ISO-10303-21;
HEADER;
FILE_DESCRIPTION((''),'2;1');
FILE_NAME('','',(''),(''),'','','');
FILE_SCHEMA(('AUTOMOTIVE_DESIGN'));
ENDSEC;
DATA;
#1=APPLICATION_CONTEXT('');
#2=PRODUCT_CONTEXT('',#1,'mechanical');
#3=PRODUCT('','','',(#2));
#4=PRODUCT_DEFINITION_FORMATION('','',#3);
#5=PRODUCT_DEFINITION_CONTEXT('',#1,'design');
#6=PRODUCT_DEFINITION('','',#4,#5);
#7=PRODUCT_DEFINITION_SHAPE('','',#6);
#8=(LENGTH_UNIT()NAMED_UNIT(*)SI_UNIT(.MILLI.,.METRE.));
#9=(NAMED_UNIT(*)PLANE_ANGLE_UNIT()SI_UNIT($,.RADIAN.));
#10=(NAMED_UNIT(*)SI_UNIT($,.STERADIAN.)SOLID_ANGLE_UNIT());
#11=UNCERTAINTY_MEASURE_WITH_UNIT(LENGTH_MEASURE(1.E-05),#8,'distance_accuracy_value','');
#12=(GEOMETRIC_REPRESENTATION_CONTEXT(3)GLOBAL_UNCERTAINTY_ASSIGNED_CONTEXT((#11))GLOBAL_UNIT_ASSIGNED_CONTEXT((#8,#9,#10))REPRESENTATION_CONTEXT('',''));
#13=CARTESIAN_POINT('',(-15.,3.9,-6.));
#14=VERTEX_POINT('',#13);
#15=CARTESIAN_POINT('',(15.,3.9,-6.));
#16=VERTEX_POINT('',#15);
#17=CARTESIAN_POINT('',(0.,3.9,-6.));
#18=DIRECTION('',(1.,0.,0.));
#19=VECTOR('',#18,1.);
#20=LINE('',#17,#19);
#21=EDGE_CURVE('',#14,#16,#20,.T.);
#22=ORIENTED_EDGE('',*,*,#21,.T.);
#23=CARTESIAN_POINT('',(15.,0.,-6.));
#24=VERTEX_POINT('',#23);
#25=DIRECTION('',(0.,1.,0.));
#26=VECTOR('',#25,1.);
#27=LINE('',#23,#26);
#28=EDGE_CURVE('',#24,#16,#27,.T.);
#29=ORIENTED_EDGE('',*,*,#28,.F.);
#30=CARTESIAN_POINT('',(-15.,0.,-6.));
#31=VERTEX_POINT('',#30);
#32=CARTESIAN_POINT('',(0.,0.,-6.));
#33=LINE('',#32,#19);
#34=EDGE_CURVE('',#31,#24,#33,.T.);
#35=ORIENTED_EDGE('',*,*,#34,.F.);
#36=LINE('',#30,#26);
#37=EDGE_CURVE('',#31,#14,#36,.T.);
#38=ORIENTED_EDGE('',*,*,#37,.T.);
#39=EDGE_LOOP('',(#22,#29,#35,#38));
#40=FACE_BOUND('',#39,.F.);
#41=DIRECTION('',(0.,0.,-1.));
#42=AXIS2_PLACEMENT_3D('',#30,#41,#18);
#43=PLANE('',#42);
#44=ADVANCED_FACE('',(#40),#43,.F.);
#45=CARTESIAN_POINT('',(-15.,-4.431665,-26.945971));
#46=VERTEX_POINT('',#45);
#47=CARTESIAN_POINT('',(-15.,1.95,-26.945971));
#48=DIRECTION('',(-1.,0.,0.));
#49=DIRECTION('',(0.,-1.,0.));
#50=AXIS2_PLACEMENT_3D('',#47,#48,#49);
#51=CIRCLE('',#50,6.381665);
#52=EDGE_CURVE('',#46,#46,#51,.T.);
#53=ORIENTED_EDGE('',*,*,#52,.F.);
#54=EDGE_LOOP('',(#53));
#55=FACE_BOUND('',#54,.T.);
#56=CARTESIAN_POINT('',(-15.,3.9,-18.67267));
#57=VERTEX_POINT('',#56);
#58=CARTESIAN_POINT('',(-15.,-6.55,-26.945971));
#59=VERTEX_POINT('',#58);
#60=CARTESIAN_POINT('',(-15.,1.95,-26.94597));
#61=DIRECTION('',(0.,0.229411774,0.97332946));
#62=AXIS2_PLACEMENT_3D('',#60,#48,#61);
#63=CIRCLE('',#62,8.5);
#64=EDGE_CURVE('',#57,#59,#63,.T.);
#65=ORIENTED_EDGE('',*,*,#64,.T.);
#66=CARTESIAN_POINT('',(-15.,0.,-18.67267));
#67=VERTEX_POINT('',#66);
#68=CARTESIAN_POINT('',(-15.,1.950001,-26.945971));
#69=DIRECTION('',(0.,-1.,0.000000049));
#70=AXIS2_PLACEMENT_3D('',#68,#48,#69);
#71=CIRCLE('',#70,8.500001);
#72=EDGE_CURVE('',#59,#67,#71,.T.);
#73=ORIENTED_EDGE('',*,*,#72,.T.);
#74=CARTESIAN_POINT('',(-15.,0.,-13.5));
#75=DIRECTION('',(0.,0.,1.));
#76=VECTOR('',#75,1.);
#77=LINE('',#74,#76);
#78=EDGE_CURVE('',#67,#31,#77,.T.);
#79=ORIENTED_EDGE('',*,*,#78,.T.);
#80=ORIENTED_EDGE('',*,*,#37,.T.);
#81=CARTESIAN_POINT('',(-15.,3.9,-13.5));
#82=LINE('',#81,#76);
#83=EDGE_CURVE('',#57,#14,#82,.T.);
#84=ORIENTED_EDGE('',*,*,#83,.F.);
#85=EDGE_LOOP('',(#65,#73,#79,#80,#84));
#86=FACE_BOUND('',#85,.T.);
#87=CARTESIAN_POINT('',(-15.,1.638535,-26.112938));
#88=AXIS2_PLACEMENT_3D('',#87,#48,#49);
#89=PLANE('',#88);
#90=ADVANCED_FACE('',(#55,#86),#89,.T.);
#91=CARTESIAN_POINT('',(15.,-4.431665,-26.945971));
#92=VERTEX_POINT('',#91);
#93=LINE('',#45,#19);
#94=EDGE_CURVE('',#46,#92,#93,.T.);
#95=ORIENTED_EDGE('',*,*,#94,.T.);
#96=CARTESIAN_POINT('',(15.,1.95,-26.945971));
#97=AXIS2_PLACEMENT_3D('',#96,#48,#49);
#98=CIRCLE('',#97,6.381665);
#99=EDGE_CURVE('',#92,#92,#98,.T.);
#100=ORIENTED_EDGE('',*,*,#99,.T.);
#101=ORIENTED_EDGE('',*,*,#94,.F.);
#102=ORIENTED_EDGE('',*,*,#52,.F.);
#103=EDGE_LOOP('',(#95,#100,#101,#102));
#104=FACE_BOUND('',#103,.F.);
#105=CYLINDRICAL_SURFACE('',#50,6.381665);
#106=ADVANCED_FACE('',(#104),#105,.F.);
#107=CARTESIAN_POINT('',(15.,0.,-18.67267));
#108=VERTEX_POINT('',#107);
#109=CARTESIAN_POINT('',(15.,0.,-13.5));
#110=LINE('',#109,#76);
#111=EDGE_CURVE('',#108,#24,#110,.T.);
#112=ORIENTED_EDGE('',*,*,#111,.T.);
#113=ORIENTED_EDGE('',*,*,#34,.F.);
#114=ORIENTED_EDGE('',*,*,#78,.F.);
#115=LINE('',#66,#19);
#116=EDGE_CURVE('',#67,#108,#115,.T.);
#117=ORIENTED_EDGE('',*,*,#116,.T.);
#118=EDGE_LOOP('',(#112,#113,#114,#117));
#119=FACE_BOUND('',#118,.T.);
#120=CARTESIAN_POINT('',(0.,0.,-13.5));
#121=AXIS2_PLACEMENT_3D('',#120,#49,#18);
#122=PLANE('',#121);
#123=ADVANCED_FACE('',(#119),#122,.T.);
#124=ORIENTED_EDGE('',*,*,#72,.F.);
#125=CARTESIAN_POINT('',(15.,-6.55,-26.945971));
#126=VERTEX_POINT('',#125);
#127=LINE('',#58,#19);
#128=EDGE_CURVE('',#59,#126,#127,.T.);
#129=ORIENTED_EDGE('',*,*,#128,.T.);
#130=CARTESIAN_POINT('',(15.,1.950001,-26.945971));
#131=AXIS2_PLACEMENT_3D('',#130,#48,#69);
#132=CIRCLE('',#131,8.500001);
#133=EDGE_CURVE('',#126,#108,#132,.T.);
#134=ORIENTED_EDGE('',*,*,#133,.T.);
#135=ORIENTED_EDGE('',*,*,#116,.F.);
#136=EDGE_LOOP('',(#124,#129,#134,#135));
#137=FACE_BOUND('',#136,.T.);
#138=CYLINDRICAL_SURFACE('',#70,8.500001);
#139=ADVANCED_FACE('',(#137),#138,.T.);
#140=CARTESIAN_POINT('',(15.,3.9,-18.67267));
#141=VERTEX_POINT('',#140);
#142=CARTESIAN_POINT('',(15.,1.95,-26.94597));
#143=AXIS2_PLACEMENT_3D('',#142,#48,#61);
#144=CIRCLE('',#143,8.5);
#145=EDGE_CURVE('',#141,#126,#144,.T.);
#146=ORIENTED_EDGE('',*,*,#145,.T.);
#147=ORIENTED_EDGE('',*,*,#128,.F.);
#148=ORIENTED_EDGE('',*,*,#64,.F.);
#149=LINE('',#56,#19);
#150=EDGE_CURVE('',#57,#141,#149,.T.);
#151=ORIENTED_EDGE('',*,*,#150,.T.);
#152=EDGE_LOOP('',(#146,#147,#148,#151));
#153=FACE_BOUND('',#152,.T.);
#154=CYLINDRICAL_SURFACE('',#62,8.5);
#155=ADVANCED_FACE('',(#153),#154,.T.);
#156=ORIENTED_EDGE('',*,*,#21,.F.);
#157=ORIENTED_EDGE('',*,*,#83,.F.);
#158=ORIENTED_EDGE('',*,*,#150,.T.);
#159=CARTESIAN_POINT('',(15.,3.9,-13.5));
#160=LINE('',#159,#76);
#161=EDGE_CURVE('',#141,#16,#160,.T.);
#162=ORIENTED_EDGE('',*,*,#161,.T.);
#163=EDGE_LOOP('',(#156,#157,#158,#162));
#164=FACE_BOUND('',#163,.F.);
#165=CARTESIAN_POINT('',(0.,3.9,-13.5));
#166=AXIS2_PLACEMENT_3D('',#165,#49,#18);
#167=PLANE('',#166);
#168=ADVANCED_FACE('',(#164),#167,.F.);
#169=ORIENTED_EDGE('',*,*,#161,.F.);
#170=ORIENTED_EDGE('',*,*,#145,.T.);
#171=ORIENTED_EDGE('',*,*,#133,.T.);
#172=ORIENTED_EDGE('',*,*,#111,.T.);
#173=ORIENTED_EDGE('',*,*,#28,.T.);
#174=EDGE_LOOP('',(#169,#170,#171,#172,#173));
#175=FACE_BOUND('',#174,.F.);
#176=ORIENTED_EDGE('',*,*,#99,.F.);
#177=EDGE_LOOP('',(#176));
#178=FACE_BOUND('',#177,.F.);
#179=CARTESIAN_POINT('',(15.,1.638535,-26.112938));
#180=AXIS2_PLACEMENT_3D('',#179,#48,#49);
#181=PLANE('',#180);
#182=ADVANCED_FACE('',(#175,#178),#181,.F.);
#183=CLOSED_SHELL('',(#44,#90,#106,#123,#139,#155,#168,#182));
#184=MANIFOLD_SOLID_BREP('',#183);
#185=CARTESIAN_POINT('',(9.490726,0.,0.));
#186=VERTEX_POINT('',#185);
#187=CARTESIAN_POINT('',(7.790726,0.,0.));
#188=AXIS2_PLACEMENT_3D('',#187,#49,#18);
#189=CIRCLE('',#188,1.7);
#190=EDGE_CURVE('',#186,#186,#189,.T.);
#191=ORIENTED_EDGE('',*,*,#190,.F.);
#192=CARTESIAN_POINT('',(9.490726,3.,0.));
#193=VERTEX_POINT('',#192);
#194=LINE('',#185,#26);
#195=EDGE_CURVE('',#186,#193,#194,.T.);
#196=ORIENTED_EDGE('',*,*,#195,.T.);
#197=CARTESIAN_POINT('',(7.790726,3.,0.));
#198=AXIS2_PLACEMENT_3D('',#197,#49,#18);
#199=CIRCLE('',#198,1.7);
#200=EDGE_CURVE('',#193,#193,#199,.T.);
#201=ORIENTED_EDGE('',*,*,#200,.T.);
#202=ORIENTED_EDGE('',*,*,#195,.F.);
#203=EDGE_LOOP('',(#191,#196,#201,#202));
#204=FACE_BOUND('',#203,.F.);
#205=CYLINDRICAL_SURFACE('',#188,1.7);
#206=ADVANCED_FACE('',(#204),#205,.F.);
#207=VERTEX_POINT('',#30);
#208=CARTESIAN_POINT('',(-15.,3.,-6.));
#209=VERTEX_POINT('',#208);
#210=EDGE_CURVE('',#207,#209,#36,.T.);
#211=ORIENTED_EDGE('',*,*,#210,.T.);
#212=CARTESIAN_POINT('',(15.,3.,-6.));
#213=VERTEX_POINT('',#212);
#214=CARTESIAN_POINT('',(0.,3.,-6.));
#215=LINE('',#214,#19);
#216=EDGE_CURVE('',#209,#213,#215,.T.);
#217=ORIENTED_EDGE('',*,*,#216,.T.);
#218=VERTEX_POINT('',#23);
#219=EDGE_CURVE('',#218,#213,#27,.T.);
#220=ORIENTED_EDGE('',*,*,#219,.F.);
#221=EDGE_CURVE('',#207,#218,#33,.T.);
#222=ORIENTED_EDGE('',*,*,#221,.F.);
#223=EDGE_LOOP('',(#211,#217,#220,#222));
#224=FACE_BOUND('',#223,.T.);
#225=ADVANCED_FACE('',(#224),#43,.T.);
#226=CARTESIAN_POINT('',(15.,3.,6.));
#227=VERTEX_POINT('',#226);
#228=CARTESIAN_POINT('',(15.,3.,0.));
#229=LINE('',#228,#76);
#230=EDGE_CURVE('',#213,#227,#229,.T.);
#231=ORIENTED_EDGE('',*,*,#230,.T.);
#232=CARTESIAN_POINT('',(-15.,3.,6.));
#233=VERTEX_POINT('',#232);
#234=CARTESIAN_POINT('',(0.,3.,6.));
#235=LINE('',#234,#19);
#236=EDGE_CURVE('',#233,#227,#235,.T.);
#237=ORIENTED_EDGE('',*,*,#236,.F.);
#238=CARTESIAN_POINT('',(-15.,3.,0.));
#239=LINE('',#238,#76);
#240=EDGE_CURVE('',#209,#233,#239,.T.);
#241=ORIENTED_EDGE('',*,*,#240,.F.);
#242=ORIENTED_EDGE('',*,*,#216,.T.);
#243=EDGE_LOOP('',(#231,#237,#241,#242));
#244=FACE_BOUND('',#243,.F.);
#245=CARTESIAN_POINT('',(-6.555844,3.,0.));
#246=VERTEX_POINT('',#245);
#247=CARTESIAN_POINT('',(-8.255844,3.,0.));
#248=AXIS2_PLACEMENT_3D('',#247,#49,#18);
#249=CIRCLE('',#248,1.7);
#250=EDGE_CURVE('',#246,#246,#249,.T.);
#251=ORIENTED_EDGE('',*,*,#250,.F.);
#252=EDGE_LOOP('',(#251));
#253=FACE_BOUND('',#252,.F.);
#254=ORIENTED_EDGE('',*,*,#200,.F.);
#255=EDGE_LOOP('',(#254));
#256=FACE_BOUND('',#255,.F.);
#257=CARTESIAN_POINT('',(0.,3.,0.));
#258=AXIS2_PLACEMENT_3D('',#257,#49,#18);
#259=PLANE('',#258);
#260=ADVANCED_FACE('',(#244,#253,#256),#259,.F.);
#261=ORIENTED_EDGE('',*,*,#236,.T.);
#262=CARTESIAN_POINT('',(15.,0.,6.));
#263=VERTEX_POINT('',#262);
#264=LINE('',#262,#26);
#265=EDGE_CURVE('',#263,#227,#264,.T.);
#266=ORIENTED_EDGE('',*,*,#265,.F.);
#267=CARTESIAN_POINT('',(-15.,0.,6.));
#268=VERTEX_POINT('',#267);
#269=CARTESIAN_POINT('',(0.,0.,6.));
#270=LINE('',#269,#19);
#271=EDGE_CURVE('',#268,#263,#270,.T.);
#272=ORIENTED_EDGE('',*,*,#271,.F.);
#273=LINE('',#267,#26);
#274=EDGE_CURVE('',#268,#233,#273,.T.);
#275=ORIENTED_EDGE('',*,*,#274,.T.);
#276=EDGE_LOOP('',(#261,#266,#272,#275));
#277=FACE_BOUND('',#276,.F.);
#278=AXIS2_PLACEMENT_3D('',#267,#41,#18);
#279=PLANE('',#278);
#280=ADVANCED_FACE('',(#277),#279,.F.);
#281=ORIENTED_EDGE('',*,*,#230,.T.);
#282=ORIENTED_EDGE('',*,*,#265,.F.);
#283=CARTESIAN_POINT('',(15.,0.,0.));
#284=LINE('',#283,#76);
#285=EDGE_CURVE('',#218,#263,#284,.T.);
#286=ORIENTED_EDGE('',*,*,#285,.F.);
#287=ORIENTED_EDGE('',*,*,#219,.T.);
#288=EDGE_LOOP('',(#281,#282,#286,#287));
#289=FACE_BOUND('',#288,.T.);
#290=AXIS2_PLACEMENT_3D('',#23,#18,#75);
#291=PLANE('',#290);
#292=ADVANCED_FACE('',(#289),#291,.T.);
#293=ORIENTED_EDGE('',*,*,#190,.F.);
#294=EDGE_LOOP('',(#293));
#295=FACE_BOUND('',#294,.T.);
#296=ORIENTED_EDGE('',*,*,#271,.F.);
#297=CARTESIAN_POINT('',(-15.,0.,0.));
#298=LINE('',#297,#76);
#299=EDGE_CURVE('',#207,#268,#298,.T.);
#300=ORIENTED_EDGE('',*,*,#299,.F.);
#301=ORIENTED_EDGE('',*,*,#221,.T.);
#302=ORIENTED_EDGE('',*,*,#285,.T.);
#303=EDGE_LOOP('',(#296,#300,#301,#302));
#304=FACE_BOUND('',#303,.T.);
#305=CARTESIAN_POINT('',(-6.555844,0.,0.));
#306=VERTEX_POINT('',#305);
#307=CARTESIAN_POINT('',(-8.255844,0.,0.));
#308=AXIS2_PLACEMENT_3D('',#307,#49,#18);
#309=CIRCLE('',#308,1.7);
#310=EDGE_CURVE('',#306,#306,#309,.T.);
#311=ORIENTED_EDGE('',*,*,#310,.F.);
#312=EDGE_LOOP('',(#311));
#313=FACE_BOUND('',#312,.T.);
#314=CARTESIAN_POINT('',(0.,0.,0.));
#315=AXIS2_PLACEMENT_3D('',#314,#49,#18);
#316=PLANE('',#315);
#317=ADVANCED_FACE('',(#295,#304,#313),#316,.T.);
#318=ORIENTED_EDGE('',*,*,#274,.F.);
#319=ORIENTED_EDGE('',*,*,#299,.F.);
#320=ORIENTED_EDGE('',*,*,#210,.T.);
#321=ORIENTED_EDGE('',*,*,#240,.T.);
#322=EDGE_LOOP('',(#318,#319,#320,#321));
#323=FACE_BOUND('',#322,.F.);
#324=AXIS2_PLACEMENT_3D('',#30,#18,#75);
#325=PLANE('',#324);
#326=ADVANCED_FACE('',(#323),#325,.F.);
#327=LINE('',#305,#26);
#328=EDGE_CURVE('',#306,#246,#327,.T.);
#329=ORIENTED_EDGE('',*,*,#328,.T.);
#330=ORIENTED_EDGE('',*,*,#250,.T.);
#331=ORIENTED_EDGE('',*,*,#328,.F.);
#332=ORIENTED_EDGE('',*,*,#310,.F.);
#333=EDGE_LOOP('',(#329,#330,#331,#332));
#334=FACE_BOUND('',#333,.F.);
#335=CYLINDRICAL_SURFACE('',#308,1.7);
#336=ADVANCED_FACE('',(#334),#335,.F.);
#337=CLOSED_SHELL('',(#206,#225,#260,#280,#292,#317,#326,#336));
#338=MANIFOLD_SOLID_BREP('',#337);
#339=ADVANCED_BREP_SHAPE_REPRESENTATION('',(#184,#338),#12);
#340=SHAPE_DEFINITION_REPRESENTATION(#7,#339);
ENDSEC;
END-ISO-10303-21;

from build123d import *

# Parameters (mm, degrees)
F0_W     = 30
F0_H     = 12
F0_R     = 1.7
F1_DEPTH = 3
F2_W     = 30
F2_H     = 15
F3_DEPTH = 3.9
F5_DEPTH = 30
F6_R     = 6.381665
F7_DEPTH = 30.001


with BuildPart() as f1:
    # F0 (on Front) → F1 (new body)
    with BuildSketch(Plane.XZ):
        Rectangle(F0_W, F0_H)
        with Locations((-8.255844, 0)):
            Circle(F0_R, mode=Mode.SUBTRACT)
        with Locations((7.790726, 0)):
            Circle(F0_R, mode=Mode.SUBTRACT)
    extrude(amount=-F1_DEPTH)


with BuildPart() as f3:
    # F2 (on Front) → F3 (new body)
    with BuildSketch(Plane.XZ):
        with Locations((0, -13.5)):
            Rectangle(F2_W, F2_H)
    extrude(amount=-F3_DEPTH)

    # F4 (on face) → F5 (join)
    with BuildSketch(Plane(origin=(-15, 0, 0), x_dir=(0, -1, 0), z_dir=(-1, 0, 0))):
        with BuildLine():
            ThreePointArc((-3.9, -18.67267), (-7.226125, -33.610241), (6.55, -26.945971))
            ThreePointArc((6.55, -26.945971), (4.71427, -21.669845), (0, -18.67267))
            Line((0, -18.67267), (0, -21))
            Line((0, -21), (-3.9, -21))
            Line((-3.9, -21), (-3.9, -18.67267))
        make_face()
    extrude(amount=-F5_DEPTH)

    # F6 (on face) → F7 (cut, through all)
    with BuildSketch(Plane(origin=(-15, 0, 0), x_dir=(0, -1, 0), z_dir=(-1, 0, 0))):
        with Locations((-1.95, -26.945971)):
            Circle(F6_R)
    extrude(amount=-F7_DEPTH, mode=Mode.SUBTRACT)


solid = Compound([f1.part, f3.part])
